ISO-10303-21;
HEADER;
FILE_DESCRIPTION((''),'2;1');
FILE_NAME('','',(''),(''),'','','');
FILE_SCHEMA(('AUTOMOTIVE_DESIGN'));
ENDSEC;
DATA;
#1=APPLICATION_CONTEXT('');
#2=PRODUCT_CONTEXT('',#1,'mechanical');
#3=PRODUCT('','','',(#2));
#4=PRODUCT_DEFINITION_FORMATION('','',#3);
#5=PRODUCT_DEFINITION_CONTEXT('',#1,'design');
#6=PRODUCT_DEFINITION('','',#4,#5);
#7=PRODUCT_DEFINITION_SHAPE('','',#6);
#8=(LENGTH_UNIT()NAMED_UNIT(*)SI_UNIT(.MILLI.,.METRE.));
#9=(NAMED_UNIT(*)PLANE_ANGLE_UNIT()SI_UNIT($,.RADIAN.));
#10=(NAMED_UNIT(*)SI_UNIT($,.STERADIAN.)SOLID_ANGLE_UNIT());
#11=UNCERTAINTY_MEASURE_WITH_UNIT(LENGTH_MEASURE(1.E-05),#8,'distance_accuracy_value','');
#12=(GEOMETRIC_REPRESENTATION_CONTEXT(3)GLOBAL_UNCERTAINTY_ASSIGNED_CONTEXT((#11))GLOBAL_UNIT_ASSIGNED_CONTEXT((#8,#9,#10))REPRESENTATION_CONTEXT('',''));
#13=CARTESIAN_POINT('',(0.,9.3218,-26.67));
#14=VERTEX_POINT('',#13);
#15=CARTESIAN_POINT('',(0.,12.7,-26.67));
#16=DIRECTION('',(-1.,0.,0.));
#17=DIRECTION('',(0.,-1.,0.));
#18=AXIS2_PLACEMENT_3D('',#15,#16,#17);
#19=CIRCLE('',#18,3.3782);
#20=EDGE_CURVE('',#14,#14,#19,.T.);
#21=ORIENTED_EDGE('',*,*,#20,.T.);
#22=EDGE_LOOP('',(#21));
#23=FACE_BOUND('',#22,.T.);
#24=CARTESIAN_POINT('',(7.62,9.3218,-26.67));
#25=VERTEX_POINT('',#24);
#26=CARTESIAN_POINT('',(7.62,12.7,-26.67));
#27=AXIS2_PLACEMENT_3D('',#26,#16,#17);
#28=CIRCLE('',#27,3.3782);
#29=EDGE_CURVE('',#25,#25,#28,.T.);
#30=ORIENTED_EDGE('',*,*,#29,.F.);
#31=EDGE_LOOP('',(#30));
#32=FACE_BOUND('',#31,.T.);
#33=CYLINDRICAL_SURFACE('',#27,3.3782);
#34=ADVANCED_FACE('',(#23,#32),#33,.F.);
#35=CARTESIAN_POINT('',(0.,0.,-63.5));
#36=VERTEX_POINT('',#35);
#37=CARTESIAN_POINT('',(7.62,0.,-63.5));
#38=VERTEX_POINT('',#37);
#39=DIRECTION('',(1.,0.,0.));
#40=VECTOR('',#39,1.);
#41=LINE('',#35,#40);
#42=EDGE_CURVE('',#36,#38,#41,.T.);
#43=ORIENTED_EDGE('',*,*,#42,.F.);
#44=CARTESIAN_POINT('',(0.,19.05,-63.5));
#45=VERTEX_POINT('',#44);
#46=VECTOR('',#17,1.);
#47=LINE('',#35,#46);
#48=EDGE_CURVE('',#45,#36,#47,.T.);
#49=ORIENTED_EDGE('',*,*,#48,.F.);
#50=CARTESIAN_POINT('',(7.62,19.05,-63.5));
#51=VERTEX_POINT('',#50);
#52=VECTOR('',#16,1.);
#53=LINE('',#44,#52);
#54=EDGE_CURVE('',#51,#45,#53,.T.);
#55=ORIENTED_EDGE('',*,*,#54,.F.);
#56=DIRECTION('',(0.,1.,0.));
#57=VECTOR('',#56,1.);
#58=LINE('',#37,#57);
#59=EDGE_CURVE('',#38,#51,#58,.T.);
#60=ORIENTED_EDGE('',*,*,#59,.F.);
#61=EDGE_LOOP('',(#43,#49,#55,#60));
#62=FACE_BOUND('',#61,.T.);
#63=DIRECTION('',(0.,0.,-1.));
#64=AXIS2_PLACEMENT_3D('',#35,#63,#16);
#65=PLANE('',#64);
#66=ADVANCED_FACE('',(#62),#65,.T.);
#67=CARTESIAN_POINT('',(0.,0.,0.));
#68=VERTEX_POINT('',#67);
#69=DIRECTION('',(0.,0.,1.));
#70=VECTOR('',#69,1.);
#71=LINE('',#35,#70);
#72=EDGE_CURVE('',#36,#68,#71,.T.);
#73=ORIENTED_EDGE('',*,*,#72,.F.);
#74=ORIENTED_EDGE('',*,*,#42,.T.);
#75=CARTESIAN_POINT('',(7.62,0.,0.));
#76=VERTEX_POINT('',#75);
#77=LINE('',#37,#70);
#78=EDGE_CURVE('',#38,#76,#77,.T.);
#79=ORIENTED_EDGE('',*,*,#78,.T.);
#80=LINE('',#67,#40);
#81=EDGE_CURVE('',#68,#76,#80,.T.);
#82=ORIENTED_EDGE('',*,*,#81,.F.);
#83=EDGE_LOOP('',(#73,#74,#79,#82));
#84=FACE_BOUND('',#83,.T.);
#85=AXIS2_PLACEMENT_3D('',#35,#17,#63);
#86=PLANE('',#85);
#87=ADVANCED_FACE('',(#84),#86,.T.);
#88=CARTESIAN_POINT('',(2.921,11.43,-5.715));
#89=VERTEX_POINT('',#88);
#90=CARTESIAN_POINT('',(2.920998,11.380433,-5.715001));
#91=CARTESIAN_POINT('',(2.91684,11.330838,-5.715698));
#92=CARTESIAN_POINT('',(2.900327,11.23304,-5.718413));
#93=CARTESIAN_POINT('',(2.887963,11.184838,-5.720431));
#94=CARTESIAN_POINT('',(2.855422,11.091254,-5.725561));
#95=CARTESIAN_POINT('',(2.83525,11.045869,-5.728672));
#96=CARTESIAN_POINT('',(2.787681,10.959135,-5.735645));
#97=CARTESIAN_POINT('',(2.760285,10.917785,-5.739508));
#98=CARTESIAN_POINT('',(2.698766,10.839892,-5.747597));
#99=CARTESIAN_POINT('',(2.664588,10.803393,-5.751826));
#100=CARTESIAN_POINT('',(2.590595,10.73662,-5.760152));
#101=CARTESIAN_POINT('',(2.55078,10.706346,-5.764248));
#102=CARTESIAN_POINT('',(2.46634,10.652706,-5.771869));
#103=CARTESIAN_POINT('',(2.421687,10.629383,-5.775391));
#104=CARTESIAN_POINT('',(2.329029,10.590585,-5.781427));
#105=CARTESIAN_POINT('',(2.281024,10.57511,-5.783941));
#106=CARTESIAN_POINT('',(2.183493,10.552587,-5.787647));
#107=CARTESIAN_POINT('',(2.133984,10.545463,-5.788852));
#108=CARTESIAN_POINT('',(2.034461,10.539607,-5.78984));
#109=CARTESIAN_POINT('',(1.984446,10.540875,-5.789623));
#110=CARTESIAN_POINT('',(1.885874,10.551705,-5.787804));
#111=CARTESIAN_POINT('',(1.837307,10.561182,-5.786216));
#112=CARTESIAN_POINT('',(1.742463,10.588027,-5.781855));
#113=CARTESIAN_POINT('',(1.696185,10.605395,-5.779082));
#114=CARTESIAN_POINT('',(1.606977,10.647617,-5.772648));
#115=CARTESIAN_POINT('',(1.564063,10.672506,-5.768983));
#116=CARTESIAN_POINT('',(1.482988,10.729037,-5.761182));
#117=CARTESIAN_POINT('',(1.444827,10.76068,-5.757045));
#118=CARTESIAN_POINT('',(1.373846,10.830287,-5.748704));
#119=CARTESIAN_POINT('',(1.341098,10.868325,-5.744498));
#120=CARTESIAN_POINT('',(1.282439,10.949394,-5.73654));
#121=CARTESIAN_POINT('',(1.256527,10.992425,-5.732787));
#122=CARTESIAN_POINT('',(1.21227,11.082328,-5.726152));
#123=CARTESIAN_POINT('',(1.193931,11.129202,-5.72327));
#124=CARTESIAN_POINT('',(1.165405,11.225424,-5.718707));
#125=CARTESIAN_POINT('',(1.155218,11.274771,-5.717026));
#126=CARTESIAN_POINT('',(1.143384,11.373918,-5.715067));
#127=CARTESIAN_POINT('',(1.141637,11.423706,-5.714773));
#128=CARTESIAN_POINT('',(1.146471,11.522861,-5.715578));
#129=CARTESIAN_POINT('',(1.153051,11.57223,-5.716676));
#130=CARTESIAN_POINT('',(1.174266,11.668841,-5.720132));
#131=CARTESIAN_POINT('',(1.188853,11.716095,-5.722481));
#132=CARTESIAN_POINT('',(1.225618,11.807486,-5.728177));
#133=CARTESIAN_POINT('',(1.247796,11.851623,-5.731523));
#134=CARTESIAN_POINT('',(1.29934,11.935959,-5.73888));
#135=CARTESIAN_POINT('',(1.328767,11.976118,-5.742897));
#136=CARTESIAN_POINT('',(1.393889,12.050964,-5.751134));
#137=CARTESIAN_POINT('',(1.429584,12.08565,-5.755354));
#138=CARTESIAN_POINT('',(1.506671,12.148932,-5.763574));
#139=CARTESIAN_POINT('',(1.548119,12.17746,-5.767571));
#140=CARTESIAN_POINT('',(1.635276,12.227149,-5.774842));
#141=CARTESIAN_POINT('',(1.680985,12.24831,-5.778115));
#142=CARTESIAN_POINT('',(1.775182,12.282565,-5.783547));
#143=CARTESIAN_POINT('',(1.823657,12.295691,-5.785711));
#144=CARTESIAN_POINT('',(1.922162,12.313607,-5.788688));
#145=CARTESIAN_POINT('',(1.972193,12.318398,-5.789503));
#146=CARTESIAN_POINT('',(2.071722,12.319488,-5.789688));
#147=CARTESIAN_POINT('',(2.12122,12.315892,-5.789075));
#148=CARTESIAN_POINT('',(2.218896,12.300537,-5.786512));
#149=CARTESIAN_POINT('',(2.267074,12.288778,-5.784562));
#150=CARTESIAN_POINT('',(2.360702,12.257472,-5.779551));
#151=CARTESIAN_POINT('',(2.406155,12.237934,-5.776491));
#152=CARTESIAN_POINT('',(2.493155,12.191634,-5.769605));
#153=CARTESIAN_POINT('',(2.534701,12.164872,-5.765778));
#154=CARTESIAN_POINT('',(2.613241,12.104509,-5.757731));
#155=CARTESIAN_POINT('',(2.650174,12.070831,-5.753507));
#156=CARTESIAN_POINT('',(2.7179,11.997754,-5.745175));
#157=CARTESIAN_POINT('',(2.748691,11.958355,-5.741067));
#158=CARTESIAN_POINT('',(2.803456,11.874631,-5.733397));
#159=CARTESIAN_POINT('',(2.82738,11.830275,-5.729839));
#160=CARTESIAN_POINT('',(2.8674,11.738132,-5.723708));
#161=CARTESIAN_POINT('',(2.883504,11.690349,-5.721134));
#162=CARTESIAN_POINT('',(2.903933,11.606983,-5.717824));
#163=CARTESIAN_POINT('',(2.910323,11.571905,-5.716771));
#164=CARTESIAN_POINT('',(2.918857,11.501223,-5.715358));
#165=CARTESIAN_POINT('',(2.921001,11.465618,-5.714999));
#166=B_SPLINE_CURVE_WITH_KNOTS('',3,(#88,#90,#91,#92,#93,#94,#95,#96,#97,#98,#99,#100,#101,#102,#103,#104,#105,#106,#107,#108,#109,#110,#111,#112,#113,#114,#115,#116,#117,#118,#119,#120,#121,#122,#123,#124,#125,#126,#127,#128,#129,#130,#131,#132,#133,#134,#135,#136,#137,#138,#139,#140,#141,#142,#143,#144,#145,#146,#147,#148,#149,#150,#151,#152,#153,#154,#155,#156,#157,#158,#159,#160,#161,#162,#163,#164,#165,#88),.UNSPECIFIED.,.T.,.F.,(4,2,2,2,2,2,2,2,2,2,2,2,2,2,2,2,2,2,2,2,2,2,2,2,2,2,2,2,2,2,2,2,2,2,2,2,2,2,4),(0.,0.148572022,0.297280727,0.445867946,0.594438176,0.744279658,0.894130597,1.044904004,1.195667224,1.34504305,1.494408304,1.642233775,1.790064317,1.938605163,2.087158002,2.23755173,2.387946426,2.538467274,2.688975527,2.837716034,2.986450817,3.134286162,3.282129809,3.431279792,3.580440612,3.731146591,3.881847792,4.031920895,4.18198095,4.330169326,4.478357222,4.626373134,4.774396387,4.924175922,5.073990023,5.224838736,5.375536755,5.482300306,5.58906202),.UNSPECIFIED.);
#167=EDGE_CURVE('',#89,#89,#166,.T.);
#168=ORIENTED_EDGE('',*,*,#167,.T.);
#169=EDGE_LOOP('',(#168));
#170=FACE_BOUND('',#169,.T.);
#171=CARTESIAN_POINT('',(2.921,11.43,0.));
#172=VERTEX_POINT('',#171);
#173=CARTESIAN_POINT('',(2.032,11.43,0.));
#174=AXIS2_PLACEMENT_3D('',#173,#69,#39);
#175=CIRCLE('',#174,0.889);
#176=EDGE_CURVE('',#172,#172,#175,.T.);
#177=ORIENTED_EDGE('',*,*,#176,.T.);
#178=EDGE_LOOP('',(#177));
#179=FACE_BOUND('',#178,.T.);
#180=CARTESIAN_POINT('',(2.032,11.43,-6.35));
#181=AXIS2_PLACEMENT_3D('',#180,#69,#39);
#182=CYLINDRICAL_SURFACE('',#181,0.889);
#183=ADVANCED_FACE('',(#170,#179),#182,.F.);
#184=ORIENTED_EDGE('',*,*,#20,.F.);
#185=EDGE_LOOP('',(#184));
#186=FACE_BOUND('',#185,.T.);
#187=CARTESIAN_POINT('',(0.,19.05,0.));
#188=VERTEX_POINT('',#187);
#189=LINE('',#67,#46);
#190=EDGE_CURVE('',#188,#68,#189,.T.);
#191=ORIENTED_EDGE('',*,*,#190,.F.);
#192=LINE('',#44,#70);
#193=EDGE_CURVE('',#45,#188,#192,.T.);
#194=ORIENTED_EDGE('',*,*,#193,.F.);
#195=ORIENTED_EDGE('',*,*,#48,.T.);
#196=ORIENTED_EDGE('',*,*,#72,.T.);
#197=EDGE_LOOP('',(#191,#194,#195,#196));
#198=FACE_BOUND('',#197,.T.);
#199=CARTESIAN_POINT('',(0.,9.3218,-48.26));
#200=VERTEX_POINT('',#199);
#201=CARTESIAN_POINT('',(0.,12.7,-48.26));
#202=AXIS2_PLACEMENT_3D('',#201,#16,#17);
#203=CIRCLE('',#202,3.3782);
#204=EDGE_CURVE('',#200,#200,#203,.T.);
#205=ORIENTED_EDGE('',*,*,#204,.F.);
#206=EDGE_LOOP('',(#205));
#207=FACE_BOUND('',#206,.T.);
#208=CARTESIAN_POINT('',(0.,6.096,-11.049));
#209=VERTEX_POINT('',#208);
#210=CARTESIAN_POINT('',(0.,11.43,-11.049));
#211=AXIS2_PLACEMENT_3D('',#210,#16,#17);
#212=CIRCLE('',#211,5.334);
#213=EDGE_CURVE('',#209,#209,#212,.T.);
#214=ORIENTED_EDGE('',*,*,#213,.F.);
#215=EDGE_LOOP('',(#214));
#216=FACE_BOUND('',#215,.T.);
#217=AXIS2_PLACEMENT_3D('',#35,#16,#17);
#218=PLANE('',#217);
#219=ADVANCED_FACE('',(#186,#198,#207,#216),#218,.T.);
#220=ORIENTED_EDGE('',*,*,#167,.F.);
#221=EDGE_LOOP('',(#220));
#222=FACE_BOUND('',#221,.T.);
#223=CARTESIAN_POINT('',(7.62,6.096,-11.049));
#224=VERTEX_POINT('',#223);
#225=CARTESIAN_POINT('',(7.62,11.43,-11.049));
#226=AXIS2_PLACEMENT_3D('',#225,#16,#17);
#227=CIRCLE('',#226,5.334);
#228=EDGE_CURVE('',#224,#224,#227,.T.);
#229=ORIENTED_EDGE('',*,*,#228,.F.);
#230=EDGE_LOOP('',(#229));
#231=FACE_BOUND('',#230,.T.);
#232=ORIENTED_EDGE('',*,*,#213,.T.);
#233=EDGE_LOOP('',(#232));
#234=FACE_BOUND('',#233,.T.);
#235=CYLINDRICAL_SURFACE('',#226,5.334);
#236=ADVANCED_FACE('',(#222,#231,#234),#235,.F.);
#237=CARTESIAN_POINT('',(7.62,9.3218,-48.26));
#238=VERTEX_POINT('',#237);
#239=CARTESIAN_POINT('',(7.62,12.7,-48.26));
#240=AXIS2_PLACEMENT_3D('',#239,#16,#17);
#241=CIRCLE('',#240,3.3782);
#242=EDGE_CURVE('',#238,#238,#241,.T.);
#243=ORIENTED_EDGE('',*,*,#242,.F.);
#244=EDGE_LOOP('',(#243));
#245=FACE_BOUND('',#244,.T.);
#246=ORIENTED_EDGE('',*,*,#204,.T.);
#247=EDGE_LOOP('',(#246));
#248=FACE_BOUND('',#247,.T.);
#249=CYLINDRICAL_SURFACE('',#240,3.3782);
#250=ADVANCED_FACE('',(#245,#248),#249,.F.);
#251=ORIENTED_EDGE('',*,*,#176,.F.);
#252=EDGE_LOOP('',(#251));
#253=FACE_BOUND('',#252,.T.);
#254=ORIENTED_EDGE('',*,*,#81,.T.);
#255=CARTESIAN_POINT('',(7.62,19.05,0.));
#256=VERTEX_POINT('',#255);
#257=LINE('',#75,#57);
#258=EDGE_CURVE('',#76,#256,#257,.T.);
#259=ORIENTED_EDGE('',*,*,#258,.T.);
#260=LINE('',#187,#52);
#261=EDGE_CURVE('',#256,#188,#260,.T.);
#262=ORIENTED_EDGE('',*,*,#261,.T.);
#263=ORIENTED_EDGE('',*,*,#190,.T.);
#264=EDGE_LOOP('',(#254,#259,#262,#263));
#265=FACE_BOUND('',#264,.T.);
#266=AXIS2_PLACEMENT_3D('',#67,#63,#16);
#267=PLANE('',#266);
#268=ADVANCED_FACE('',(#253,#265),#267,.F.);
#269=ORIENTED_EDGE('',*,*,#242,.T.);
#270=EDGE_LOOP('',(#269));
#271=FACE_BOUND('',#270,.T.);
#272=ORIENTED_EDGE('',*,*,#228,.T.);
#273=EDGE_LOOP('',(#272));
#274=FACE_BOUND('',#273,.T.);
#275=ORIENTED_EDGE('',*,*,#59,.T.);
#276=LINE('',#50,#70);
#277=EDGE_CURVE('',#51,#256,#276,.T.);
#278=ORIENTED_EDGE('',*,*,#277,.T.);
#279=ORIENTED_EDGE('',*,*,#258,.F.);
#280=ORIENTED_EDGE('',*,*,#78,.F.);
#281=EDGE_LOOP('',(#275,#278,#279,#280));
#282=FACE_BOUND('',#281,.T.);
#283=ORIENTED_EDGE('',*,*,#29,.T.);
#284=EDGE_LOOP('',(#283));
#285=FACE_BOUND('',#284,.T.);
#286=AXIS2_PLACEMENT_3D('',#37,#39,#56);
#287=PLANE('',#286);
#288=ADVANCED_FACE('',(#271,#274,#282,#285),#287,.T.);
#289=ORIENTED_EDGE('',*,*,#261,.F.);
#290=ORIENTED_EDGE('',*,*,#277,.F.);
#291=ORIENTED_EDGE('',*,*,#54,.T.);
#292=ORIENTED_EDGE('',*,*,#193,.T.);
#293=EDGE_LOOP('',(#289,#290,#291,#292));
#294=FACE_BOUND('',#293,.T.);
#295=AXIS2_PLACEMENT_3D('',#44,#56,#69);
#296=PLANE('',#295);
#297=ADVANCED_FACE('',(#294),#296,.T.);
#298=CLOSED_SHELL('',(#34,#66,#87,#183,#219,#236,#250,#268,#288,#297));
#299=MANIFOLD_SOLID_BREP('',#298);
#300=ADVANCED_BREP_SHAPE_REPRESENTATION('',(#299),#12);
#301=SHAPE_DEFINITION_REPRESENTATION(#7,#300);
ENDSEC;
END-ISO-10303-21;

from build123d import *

# Parameters (mm, degrees)
SKETCH1_W           = 7.62
SKETCH1_H           = 19.05
BOSS_EXTRUDE1_DEPTH = 63.5
SKETCH2_R           = 0.889
CUT_EXTRUDE1_DEPTH  = 6.35
SKETCH3_R           = 3.3782
CUT_EXTRUDE2_DEPTH  = 8.62
SKETCH4_R           = 3.3782
CUT_EXTRUDE3_DEPTH  = 8.62
SKETCH5_R           = 5.334
CUT_EXTRUDE4_DEPTH  = 8.62


with BuildPart() as part:
    # Sketch1 → Boss-Extrude1 (new body)
    with BuildSketch(Plane.XY):
        with Locations((3.81, 9.525)):
            Rectangle(SKETCH1_W, SKETCH1_H)
    extrude(amount=-BOSS_EXTRUDE1_DEPTH)

    # Sketch2 → Cut-Extrude1 (cut)
    with BuildSketch(Plane.XY):
        with Locations((2.032, 11.43)):
            Circle(SKETCH2_R)
    extrude(amount=-CUT_EXTRUDE1_DEPTH, mode=Mode.SUBTRACT)

    # Sketch3 → Cut-Extrude2 (cut, through all)
    with BuildSketch(Plane.ZY):
        with Locations((-48.26, 12.7)):
            Circle(SKETCH3_R)
    extrude(amount=-CUT_EXTRUDE2_DEPTH, mode=Mode.SUBTRACT)

    # Sketch4 → Cut-Extrude3 (cut, through all)
    with BuildSketch(Plane.ZY):
        with Locations((-26.67, 12.7)):
            Circle(SKETCH4_R)
    extrude(amount=-CUT_EXTRUDE3_DEPTH, mode=Mode.SUBTRACT)

    # Sketch5 → Cut-Extrude4 (cut, through all)
    with BuildSketch(Plane.ZY):
        with Locations((-11.049, 11.43)):
            Circle(SKETCH5_R)
    extrude(amount=-CUT_EXTRUDE4_DEPTH, mode=Mode.SUBTRACT)


solid = part.part
